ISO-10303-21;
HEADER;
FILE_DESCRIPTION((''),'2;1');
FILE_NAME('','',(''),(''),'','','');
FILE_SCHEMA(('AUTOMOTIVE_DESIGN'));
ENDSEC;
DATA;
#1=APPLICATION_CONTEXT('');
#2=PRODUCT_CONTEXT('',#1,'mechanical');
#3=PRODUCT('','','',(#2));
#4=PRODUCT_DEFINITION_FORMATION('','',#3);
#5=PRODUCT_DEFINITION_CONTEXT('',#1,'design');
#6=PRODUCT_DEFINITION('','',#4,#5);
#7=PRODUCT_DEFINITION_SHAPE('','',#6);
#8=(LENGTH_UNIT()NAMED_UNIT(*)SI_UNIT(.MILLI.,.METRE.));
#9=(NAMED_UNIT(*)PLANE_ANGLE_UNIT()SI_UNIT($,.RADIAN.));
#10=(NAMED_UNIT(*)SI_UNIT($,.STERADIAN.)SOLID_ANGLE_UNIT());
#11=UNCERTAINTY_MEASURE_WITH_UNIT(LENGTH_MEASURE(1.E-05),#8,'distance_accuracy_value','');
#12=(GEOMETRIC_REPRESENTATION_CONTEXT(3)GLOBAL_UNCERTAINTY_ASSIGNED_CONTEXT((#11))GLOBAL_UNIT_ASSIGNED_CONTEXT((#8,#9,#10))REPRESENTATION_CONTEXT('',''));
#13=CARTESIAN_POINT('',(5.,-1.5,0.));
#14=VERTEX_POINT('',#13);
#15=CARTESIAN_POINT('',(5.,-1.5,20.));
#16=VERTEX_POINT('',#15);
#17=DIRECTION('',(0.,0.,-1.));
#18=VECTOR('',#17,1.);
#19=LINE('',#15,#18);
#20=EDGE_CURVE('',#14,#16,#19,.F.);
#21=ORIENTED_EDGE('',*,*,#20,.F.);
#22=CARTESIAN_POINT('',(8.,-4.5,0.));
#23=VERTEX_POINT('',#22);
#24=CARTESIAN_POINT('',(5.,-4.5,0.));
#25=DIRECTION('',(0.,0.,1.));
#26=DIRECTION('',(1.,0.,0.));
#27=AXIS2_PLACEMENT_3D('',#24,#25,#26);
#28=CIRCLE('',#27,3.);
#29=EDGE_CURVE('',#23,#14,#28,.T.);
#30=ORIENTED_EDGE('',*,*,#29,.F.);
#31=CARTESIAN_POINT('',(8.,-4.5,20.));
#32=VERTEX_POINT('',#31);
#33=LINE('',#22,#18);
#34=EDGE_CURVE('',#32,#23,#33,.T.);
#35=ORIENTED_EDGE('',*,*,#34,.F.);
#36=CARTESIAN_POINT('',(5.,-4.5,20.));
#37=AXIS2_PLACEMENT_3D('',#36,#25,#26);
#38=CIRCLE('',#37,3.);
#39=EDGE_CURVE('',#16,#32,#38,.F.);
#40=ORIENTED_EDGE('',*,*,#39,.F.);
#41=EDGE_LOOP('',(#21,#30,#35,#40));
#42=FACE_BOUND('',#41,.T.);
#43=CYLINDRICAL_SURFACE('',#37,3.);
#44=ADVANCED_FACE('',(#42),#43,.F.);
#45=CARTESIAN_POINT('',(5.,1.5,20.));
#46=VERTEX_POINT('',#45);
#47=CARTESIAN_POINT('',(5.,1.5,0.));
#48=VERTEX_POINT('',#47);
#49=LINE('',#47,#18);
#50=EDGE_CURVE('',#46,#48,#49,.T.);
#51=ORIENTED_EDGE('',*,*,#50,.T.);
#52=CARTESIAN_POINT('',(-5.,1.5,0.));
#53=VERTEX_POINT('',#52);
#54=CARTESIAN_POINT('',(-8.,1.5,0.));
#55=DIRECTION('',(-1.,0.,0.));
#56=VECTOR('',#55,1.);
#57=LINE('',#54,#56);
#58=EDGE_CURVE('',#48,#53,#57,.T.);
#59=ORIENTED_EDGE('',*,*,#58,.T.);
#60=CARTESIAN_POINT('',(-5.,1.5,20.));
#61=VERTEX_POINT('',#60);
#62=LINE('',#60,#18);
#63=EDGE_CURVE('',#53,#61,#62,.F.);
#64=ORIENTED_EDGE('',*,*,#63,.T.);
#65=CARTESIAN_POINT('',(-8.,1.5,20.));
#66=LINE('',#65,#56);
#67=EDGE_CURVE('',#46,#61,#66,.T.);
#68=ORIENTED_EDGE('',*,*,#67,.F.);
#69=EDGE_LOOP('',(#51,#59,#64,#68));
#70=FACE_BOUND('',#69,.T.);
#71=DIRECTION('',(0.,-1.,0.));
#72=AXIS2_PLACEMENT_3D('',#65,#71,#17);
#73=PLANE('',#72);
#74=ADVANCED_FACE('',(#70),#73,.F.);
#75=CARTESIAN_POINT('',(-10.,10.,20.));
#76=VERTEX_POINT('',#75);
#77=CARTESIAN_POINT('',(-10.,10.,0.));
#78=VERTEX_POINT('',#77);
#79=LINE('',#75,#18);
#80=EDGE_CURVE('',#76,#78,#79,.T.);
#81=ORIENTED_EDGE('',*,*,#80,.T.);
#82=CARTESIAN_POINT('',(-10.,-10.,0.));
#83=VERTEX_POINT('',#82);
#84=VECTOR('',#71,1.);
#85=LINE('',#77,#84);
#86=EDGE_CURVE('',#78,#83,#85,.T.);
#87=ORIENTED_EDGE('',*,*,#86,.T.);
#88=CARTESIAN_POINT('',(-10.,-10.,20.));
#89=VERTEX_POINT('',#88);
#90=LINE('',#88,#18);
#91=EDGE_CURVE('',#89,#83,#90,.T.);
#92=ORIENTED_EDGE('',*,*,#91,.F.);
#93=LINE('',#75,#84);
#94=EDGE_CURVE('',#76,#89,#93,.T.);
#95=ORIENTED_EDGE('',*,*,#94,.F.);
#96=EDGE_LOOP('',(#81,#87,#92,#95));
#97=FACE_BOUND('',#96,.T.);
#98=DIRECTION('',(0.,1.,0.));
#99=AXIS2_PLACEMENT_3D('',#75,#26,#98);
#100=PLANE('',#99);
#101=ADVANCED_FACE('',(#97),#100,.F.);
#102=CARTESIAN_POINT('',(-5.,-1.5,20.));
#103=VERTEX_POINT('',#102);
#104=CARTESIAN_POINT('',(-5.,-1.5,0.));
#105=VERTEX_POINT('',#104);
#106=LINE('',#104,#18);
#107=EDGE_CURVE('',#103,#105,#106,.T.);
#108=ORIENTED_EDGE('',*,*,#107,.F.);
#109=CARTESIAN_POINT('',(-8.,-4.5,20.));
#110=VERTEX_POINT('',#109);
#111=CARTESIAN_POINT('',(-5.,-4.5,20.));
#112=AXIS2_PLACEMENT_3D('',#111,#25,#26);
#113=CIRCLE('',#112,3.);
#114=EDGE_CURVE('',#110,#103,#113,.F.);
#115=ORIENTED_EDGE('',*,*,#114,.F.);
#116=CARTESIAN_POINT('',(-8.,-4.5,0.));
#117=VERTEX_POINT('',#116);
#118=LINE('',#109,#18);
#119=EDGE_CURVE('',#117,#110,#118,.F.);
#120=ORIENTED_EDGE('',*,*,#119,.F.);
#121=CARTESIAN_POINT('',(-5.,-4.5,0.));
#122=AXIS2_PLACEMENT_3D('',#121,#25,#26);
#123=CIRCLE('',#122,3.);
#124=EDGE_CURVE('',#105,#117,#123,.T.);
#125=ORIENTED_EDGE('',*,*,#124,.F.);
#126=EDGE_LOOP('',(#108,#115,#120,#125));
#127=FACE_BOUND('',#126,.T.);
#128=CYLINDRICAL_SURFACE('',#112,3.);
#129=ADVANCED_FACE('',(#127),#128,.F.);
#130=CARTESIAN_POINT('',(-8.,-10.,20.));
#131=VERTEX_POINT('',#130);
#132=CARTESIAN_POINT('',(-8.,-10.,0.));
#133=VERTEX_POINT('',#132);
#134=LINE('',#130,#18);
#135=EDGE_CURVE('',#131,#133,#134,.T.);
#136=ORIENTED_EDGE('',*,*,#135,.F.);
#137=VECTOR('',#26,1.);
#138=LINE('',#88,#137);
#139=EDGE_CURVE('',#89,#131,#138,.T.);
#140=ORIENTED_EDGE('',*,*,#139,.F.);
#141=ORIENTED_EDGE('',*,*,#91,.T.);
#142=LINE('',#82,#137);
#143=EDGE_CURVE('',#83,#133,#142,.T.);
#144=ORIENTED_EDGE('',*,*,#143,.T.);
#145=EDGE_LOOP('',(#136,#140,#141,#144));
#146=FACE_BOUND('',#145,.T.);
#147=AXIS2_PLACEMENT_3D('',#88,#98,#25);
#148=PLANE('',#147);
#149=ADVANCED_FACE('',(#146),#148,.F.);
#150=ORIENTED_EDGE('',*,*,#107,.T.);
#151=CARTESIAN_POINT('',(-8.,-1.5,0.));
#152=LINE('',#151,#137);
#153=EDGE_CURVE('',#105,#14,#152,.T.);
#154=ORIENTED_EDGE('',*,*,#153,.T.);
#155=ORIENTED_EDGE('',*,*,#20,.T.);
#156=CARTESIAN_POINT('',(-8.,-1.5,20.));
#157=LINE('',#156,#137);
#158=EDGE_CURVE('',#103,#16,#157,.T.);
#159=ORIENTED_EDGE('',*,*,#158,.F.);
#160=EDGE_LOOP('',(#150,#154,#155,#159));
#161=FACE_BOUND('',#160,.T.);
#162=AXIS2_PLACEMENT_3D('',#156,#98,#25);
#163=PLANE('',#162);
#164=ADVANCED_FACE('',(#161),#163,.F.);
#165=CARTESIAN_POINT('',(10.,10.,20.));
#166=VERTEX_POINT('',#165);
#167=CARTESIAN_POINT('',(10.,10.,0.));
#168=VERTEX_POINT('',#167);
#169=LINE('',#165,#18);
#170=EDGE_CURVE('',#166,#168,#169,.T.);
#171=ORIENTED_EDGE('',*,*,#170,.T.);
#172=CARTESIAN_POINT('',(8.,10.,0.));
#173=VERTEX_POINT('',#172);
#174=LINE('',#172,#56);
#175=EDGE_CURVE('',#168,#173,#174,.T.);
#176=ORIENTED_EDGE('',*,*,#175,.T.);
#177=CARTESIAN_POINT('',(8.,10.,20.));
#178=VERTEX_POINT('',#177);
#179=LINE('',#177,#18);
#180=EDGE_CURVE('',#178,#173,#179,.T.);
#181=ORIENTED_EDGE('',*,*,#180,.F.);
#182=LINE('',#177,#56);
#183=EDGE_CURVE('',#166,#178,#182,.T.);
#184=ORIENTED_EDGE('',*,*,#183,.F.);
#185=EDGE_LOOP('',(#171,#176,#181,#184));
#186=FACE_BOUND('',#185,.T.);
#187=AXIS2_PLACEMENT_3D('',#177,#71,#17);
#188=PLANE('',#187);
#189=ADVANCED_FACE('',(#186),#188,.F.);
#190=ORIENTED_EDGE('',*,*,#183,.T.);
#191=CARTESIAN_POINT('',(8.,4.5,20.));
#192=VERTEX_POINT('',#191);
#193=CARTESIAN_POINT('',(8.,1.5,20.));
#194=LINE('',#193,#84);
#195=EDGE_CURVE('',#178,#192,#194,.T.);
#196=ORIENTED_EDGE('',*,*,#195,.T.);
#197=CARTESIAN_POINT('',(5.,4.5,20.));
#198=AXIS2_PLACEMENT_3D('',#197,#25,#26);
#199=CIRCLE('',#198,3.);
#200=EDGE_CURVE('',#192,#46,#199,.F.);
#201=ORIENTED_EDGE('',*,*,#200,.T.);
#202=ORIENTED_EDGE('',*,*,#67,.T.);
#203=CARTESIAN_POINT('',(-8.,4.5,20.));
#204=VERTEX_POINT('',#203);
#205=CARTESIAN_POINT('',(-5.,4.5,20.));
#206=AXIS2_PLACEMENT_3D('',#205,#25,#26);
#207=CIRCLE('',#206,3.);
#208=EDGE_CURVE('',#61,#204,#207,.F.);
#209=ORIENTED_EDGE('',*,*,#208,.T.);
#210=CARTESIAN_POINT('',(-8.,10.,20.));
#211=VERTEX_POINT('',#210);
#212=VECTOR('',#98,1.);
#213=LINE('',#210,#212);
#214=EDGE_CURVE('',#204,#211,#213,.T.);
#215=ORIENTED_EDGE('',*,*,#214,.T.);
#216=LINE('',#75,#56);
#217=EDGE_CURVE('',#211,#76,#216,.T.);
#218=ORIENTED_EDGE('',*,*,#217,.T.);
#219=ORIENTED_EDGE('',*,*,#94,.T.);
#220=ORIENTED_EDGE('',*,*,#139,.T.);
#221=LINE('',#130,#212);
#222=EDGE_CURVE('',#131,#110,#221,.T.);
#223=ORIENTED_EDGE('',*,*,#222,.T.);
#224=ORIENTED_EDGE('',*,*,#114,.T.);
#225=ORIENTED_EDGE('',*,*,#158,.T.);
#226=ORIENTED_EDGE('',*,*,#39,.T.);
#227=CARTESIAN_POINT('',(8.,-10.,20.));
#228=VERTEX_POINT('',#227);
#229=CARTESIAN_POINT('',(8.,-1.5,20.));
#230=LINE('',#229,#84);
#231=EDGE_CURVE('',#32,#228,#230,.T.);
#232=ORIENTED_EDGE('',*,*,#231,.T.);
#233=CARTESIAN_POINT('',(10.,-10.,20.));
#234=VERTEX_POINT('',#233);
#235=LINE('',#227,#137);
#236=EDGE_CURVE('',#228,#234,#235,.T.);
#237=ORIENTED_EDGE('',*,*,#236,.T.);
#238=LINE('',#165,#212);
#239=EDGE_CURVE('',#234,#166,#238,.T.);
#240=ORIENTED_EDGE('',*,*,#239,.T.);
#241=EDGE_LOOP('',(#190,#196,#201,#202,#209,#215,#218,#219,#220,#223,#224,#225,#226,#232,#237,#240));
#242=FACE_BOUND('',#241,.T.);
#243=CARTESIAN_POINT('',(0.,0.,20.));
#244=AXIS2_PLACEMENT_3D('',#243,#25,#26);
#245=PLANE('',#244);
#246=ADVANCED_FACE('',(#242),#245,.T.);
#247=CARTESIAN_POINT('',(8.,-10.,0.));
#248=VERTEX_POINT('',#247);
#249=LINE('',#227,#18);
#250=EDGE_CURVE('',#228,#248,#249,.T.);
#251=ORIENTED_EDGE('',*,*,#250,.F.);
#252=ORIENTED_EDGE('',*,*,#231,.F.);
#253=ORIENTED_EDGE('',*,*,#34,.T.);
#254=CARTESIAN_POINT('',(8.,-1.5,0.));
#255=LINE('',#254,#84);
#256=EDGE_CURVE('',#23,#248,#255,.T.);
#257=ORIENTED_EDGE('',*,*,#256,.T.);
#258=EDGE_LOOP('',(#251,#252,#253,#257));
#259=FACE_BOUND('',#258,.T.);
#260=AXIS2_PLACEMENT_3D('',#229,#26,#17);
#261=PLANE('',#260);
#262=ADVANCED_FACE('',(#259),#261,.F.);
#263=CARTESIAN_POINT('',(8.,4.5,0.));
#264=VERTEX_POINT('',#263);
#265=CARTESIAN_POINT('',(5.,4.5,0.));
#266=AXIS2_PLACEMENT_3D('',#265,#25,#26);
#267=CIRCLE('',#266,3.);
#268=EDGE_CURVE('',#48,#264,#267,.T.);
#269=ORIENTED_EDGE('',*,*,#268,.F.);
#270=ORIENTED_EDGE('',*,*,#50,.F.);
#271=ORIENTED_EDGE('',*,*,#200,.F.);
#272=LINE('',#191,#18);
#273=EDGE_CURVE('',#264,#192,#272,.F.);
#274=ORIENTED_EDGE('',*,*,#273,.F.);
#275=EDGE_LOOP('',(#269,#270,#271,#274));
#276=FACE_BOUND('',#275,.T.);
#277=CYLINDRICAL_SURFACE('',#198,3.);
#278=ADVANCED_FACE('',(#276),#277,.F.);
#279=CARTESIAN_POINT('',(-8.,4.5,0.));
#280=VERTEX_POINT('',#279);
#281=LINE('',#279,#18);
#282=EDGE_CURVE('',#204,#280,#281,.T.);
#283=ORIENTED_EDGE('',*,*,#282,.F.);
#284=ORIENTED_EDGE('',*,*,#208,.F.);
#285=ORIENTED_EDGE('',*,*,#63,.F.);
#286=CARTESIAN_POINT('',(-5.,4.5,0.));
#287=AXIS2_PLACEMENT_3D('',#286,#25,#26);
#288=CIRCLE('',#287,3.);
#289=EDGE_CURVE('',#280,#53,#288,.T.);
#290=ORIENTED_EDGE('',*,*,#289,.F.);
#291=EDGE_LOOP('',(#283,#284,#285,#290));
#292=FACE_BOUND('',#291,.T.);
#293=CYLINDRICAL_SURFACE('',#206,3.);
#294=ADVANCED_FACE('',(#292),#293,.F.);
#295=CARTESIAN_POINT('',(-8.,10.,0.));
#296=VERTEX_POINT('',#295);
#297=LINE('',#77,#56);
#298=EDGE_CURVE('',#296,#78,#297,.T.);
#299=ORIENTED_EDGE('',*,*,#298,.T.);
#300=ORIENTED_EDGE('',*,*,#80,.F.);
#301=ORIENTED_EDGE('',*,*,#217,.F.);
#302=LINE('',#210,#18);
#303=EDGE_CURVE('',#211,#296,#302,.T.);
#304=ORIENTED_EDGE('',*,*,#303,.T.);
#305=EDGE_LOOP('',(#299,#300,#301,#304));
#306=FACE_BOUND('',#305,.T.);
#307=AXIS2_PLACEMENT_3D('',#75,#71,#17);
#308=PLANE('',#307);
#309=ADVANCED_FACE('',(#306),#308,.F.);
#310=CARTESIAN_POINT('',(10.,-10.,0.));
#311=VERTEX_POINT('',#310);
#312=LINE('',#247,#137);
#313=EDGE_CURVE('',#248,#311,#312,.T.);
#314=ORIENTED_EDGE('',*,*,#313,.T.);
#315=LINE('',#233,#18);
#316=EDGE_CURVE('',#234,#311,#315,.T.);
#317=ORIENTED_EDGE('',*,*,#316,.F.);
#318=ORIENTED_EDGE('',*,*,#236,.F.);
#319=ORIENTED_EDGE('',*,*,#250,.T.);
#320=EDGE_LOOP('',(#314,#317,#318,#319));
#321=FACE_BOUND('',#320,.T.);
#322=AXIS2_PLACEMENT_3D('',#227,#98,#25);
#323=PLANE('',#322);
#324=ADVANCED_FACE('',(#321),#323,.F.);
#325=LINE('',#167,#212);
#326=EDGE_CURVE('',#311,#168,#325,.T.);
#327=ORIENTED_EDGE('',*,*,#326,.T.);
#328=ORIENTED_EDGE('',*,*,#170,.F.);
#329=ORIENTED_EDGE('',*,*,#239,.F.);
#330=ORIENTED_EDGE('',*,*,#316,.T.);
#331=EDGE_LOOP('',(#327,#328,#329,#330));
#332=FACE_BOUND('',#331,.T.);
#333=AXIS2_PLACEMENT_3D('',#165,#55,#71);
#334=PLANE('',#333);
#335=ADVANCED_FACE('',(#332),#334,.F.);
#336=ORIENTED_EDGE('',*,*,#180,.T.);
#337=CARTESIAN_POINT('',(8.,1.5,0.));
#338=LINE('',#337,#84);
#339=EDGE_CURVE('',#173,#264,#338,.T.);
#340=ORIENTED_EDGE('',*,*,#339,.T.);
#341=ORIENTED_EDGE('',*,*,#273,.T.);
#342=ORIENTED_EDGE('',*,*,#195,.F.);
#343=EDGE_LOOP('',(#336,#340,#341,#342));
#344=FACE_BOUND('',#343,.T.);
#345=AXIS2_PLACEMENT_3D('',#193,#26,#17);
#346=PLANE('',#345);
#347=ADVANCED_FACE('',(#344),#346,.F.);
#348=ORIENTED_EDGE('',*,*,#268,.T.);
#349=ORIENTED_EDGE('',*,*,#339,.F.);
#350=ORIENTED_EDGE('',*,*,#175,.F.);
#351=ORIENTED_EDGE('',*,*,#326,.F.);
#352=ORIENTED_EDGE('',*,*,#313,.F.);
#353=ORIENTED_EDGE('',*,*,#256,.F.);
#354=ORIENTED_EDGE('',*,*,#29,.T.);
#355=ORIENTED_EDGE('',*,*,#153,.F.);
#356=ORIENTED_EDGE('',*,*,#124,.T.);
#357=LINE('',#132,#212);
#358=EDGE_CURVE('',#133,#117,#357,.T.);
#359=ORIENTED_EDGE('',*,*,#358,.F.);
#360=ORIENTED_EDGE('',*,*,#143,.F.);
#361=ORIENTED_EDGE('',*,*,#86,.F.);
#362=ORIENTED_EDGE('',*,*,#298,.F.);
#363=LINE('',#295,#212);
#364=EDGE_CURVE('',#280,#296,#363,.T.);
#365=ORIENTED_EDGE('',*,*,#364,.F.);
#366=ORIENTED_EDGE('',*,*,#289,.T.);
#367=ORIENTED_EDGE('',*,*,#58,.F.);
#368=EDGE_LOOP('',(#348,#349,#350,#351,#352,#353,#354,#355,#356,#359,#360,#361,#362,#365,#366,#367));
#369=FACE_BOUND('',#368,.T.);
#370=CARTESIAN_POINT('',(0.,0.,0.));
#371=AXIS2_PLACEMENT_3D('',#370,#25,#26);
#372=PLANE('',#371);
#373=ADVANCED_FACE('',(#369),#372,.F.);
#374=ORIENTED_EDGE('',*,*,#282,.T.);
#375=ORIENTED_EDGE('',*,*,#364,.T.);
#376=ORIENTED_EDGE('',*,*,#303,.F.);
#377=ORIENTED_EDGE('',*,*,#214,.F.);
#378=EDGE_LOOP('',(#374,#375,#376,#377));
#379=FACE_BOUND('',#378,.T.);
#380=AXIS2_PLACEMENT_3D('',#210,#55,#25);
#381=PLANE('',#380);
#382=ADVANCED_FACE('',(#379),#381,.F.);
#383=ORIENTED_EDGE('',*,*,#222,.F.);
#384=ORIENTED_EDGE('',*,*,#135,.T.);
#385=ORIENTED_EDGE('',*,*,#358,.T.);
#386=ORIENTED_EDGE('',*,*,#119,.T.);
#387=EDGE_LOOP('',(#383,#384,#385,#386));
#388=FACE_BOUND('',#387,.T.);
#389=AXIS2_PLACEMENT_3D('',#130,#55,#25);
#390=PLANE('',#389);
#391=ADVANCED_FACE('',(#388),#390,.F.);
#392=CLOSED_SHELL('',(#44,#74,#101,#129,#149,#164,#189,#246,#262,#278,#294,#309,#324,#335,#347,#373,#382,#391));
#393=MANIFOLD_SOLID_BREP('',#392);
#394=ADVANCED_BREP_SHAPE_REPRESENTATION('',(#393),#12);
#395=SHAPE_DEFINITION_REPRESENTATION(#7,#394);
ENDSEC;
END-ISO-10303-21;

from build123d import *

# Parameters (mm, degrees)
BOSS_EXTRUDE2_DEPTH = 20
FILLET1_R           = 3
FILLET2_R           = 3


with BuildPart() as part:
    # Sketch2 → Boss-Extrude2 (new body)
    with BuildSketch(Plane.XY):
        Polygon((-10, -10), (-8, -10), (-8, -1.5), (8, -1.5), (8, -10), (10, -10), (10, 10), (8, 10), (8, 1.5), (-8, 1.5), (-8, 10), (-10, 10), align=None)
    extrude(amount=BOSS_EXTRUDE2_DEPTH)

    # Fillet1
    fillet1_edges = [part.edges().sort_by_distance(p)[0] for p in [
        (-8, 1.5, 10),
    ]]
    fillet(fillet1_edges, radius=FILLET1_R)

    # Fillet2
    fillet2_edges = [part.edges().sort_by_distance(p)[0] for p in [
        (8, 1.5, 10),
        (8, -1.5, 10),
        (-8, -1.5, 10),
    ]]
    fillet(fillet2_edges, radius=FILLET2_R)


solid = part.part
